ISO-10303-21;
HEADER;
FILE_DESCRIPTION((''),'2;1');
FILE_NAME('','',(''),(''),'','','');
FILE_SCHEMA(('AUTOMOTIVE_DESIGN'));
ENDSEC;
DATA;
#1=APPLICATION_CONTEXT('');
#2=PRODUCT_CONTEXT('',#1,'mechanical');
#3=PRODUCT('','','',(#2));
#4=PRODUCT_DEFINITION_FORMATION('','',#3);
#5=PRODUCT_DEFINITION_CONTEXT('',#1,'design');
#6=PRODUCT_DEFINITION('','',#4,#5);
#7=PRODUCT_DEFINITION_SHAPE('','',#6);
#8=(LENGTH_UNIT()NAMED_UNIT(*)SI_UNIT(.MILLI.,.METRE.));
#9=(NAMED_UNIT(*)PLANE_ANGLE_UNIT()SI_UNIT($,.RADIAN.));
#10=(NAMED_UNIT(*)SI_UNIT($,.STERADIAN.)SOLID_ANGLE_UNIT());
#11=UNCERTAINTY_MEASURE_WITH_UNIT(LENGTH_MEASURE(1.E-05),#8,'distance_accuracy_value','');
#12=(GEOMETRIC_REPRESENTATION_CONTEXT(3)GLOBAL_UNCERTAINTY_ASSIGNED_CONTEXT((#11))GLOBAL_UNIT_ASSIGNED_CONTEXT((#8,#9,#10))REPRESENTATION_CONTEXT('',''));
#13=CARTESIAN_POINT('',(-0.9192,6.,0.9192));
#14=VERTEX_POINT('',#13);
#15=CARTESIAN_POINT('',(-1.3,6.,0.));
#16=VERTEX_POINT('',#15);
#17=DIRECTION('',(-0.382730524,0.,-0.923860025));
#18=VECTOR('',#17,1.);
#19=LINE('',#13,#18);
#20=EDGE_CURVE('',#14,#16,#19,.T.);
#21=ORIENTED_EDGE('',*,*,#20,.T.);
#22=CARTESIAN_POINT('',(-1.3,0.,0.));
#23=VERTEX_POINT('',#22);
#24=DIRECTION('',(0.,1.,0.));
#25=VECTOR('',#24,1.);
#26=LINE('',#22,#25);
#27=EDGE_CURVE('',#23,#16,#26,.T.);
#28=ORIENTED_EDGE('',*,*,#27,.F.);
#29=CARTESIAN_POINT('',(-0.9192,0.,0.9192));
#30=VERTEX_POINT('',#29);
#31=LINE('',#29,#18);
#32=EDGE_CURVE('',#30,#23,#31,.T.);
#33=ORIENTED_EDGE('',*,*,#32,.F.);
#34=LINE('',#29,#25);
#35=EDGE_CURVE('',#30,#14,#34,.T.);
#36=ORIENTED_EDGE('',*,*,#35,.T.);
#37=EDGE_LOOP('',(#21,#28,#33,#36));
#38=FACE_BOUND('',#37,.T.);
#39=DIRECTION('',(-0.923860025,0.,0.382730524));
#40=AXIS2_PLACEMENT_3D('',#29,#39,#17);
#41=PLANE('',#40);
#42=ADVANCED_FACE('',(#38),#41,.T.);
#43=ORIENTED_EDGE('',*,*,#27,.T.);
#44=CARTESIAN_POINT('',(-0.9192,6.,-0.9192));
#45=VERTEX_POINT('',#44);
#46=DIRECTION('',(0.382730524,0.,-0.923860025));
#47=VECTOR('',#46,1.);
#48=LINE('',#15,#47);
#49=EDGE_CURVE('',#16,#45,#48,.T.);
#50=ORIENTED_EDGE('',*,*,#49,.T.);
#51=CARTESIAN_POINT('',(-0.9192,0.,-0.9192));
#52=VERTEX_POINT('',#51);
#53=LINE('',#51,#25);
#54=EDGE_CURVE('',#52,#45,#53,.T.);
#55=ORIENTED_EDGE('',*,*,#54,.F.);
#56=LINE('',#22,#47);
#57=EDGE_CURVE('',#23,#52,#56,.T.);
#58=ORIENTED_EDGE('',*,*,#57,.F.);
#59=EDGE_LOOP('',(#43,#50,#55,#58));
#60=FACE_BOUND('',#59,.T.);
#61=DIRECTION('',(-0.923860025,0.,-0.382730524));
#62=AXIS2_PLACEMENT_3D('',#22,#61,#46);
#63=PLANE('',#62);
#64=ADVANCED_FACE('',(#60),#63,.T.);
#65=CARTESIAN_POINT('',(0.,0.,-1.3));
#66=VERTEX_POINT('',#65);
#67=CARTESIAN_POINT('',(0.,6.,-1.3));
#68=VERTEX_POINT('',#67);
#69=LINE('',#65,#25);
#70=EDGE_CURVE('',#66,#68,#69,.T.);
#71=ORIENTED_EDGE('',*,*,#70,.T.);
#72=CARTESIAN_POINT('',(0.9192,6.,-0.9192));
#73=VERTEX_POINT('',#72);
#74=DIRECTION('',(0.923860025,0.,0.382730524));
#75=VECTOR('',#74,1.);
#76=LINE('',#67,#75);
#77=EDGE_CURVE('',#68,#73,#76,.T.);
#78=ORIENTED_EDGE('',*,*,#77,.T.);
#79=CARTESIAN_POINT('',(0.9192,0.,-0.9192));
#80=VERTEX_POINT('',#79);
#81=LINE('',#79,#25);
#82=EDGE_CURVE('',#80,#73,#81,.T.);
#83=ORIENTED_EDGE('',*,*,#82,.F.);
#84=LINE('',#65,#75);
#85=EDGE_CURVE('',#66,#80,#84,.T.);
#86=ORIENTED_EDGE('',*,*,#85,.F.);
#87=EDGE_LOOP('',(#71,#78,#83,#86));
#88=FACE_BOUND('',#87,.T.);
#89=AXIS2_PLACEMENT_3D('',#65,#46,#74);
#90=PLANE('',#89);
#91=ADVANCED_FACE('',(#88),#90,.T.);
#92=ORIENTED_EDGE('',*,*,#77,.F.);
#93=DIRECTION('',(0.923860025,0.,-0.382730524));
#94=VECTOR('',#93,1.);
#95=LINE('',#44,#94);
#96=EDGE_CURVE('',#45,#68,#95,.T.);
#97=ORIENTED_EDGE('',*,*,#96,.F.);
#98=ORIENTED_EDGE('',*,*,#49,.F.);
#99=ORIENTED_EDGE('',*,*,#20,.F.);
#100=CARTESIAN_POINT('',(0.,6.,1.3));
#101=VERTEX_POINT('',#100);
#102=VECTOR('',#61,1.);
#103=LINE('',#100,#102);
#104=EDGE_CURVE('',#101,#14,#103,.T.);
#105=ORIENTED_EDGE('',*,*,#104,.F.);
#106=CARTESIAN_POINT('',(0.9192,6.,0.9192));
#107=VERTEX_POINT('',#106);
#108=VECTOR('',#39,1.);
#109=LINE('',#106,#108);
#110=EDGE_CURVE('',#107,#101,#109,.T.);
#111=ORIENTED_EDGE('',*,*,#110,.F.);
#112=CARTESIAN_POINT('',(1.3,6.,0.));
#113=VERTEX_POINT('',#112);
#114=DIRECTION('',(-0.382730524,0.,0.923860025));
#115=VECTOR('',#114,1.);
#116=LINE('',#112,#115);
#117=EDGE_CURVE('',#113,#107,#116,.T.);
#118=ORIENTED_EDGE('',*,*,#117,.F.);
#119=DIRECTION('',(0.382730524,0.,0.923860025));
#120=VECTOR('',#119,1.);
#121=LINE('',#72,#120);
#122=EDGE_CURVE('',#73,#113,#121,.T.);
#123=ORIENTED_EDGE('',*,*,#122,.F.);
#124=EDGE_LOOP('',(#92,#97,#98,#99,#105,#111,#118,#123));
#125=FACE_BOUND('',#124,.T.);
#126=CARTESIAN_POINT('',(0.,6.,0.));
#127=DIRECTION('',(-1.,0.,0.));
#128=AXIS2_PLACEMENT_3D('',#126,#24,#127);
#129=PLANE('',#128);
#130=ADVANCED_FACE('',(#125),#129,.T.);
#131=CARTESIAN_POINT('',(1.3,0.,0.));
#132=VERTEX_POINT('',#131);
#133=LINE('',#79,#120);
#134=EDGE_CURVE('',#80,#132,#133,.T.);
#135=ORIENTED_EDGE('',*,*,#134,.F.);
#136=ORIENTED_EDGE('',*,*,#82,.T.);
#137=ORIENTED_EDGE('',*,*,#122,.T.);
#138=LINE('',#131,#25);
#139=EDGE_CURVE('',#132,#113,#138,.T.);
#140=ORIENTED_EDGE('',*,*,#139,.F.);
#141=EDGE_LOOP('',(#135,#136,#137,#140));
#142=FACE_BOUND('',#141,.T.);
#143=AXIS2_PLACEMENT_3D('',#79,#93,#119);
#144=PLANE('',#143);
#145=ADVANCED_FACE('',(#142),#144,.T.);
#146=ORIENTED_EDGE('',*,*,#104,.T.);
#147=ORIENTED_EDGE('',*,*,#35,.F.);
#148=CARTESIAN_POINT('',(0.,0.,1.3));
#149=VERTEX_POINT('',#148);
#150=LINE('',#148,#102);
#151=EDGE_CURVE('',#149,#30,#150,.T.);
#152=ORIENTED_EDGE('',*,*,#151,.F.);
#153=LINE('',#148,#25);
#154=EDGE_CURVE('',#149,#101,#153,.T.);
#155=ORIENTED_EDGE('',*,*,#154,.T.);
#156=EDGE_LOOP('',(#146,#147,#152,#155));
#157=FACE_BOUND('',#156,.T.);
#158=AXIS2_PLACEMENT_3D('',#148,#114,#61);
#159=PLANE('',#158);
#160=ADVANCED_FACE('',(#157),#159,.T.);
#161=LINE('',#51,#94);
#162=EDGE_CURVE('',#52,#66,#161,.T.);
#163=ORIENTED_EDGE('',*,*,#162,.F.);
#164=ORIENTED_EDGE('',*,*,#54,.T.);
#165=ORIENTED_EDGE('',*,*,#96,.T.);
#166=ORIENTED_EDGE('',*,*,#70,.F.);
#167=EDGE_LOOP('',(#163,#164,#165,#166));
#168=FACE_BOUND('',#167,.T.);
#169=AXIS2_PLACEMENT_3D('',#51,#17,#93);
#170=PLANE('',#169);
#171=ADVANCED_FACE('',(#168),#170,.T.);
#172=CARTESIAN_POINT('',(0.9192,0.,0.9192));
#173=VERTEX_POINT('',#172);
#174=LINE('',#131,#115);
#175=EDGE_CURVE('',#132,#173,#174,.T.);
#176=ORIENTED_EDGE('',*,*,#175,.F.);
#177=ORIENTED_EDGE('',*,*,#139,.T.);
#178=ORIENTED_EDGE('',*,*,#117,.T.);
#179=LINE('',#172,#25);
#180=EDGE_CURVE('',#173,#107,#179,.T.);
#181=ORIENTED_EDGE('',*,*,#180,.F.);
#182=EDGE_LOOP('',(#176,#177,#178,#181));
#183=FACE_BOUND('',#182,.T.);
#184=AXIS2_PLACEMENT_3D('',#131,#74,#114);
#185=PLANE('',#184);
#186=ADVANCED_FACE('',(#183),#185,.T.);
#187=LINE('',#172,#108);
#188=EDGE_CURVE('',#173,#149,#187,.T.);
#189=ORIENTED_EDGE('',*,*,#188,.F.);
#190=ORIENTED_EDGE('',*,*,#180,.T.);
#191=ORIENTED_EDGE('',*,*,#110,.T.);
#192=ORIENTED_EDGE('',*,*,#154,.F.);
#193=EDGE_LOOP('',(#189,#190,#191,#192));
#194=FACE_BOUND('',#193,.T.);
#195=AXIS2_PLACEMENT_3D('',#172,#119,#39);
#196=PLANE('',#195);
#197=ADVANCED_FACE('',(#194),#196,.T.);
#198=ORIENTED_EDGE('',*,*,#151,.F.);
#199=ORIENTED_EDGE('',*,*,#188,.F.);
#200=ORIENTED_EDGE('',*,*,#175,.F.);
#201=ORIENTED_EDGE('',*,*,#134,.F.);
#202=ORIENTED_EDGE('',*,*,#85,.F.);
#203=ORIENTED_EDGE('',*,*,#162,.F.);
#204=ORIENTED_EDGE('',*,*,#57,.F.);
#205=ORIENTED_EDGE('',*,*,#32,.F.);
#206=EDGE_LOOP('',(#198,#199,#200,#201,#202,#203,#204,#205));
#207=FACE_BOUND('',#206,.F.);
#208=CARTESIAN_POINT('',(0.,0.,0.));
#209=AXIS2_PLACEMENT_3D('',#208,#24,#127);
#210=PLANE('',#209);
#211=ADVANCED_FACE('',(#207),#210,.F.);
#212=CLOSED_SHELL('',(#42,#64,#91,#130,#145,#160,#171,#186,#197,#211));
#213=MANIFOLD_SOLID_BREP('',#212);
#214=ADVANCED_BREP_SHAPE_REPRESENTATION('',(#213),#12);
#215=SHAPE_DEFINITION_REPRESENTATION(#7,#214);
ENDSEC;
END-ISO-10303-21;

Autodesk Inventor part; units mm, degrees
ref_plane "YZ Plane" through (0, 0, 0) normal (1, 0, 0) x (0, 1, 0)
ref_plane "XZ Plane" through (0, 0, 0) normal (0, 1, 0) x (-1, 0, 0)
ref_plane "XY Plane" through (0, 0, 0) normal (0, 0, 1) x (1, 0, 0)
sketch "Sketch1" plane through (0, 0, 0) normal (0, 1, 0) x (-1, 0, 0)
  circle A0 centre (0, 0) radius 1.3 construction
  line L0 (1.3, 0) -> (0.9192, -0.9192)
  line L1 (0.9192, -0.9192) -> (0, -1.3)
  line L2 (0, -1.3) -> (-0.9192, -0.9192)
  line L3 (-0.9192, -0.9192) -> (-1.3, 0)
  line L4 (-1.3, 0) -> (-0.9192, 0.9192)
  line L5 (-0.9192, 0.9192) -> (0, 1.3)
  line L6 (0, 1.3) -> (0.9192, 0.9192)
  line L7 (0.9192, 0.9192) -> (1.3, 0)
  dimension "d0" = 2.6
extrude "Extrusion1" add sketch "Sketch1" along normal blind 6
properties part number "pin_4mm"
